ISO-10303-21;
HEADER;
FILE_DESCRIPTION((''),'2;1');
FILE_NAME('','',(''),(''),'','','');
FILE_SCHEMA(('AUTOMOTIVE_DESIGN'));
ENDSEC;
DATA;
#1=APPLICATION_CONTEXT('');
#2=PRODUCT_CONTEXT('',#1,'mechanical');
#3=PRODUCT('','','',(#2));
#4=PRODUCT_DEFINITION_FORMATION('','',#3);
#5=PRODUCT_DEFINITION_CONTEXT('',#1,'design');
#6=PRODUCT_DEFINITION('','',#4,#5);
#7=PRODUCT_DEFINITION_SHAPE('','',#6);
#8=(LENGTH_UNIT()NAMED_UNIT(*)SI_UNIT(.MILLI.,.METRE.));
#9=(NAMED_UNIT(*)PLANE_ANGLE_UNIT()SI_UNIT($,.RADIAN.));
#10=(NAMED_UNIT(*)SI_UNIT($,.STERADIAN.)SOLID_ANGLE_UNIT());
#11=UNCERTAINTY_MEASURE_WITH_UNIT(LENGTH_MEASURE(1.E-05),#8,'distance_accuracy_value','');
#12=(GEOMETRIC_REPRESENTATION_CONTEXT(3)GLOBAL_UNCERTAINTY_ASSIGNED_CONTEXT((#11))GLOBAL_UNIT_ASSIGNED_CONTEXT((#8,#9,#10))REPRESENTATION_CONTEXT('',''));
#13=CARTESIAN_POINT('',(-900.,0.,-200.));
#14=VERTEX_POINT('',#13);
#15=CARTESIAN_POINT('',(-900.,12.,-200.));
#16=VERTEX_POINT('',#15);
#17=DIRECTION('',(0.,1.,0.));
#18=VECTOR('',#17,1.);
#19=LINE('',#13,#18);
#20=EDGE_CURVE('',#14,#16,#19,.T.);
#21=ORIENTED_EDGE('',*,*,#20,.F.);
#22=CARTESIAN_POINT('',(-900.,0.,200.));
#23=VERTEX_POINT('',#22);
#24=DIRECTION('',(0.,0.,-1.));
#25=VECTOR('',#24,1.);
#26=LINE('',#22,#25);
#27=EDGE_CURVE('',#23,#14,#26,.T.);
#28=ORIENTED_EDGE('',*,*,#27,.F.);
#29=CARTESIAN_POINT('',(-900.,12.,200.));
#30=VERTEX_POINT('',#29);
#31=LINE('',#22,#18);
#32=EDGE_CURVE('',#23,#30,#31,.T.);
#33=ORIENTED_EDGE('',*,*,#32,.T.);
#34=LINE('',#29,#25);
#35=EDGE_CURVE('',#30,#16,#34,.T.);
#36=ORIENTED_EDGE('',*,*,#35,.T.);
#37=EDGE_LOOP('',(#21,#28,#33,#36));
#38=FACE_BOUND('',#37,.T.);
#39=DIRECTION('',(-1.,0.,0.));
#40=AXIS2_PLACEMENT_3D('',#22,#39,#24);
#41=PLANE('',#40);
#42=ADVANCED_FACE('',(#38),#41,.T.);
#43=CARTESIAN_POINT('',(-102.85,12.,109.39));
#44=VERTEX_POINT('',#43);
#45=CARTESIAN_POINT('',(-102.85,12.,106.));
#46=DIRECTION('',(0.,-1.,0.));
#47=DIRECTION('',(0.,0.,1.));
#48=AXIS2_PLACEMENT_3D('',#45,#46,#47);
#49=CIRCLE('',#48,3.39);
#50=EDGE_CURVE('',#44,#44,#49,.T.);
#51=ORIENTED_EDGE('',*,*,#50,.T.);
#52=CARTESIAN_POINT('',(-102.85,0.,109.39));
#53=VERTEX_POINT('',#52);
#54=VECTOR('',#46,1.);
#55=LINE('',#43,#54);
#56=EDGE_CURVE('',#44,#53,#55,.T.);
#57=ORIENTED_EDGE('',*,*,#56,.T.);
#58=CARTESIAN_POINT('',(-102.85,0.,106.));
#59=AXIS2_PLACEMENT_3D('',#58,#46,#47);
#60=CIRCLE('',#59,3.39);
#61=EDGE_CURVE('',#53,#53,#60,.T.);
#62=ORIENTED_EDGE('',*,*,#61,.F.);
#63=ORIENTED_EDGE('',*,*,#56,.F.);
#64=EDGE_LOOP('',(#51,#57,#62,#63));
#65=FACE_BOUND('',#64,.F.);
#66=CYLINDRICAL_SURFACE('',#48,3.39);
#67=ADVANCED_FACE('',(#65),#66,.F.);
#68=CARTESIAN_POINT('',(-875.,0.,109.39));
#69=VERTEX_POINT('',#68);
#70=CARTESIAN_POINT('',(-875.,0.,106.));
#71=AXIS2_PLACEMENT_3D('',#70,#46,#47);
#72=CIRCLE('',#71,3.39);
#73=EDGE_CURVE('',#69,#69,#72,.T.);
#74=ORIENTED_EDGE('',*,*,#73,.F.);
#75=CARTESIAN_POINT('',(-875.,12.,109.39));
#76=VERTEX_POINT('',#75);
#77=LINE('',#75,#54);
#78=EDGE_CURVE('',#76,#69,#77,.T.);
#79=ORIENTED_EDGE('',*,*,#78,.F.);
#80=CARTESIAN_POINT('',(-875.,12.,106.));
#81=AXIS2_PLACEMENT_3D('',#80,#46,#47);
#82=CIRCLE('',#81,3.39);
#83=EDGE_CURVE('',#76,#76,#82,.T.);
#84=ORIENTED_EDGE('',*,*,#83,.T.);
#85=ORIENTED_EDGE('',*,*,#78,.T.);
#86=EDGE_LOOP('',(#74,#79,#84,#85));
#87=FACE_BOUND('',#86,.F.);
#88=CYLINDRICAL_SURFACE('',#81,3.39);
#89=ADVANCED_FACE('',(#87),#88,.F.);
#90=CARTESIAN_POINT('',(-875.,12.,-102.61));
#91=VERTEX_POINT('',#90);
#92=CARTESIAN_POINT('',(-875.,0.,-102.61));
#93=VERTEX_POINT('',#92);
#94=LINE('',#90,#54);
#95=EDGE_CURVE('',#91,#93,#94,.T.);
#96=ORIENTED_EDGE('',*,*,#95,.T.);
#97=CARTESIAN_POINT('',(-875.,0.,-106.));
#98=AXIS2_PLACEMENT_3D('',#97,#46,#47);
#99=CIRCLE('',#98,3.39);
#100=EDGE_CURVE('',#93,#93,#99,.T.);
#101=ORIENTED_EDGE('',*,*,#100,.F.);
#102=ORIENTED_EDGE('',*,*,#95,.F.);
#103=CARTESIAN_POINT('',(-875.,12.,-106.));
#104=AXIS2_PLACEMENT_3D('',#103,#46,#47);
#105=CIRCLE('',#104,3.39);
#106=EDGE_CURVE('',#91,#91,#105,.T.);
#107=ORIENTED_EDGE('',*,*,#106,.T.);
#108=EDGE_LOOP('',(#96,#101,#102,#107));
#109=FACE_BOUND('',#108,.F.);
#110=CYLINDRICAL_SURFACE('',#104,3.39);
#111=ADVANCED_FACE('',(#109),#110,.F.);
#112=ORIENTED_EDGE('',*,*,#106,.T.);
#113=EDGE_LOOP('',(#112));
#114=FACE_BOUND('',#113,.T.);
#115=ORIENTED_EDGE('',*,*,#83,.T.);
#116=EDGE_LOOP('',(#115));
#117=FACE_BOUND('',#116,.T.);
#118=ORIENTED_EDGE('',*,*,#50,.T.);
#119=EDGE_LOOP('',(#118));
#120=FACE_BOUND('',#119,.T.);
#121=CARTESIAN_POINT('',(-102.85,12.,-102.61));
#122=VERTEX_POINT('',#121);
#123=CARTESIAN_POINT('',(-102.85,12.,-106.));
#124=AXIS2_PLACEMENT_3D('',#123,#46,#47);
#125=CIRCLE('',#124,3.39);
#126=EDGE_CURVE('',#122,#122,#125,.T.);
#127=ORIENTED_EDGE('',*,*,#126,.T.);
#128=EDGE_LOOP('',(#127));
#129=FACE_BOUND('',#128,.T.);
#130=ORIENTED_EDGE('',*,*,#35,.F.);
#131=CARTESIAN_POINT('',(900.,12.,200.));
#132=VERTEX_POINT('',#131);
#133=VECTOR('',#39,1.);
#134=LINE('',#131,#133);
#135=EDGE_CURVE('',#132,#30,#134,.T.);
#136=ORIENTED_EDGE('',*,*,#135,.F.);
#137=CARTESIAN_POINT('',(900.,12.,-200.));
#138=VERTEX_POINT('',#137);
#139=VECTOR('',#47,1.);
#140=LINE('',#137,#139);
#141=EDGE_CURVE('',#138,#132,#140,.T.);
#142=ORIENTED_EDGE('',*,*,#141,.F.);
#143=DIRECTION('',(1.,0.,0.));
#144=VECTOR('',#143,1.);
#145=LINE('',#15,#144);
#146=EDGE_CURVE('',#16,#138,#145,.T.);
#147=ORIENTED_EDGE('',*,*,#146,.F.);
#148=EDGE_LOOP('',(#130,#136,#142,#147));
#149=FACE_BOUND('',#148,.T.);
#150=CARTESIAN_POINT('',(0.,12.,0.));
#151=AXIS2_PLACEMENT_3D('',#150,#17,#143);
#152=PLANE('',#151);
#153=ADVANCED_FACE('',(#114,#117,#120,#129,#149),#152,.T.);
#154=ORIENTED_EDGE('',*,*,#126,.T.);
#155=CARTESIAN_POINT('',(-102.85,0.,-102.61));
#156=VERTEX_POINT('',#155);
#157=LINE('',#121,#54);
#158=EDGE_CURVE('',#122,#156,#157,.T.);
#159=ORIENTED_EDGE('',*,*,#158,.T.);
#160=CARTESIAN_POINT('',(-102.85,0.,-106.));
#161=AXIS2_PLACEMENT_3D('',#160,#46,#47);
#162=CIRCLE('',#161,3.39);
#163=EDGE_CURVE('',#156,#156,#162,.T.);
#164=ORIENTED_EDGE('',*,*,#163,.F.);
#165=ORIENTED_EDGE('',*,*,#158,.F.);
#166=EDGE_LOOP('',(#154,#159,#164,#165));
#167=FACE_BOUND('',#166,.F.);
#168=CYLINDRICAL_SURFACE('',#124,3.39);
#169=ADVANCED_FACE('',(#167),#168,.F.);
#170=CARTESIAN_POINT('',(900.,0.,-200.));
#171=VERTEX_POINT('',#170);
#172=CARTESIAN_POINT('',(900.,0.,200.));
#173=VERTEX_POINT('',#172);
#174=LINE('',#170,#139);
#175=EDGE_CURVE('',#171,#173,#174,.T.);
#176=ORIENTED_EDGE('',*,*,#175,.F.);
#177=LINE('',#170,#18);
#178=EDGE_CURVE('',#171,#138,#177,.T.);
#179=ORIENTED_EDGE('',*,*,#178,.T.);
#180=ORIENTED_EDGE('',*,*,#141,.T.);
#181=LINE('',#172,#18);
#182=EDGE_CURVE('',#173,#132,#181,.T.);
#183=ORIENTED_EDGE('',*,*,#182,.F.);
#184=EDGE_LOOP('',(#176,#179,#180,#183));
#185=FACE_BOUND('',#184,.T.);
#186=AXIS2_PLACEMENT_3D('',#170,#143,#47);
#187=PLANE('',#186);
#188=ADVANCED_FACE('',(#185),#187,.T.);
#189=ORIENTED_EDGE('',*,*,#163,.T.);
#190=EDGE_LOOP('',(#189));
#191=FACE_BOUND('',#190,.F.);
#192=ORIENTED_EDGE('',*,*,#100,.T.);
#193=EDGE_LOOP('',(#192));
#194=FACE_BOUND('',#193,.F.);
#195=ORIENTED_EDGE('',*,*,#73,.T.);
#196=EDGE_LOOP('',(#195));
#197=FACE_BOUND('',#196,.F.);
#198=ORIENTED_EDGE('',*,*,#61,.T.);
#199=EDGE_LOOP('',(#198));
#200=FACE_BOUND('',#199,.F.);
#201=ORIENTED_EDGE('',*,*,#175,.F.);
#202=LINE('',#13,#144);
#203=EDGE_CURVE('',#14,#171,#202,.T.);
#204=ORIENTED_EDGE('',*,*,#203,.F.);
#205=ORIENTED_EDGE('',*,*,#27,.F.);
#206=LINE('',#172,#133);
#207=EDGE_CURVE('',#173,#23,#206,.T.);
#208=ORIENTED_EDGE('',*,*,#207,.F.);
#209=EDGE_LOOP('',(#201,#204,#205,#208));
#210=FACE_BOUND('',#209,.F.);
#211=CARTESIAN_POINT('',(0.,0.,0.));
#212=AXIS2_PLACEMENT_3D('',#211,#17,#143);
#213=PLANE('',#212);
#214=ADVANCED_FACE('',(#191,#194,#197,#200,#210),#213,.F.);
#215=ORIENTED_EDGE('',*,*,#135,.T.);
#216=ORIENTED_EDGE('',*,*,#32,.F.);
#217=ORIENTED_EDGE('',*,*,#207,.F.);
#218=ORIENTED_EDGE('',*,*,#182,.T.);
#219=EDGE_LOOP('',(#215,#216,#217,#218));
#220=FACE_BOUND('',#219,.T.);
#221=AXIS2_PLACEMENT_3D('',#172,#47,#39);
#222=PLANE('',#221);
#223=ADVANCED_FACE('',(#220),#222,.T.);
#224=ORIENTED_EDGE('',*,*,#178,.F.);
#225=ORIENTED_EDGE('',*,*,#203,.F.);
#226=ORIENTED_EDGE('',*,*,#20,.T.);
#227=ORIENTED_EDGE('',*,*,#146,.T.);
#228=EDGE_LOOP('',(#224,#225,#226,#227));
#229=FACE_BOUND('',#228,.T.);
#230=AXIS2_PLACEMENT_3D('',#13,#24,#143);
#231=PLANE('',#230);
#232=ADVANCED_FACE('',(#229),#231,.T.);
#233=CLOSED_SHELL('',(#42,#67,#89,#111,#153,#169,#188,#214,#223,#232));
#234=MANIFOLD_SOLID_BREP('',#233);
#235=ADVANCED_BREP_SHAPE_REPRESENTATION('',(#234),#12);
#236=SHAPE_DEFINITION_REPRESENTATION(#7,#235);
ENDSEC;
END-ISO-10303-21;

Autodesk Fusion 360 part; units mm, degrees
sketch "Sketch1" plane through (0, 0, 0) normal (0, 1, 0) x (1, 0, 0)
  line L0 (900, -200) -> (-900, -200)
  line L1 (-900, -200) -> (-900, 200)
  line L2 (-900, 200) -> (900, 200)
  line L3 (900, 200) -> (900, -200)
  line L4 (900, -200) -> (-900, 200) construction
  line L5 (-900, -200) -> (900, 200) construction
  dimension "d1" = 1800
  dimension "d2" = 400
extrude "Extrude1" add sketch "Sketch1" along normal blind 12
sketch "Sketch2" plane through (0, 12, 0) normal (0, 1, 0) x (-1, 0, 0)
  line L0 (-900, -200) -> (900, -200)
  line L1 (900, -200) -> (900, 200)
  line L2 (900, 200) -> (-900, 200)
  line L3 (-900, 200) -> (-900, -200)
  line L4 (0, 0) -> (900, 0)
  line L5 (900, 0) -> (875, 0)
  line L6 (875, 0) -> (875, -106)
  line L7 (875, -106) -> (102.85, -106)
  line L8 (102.85, -106) -> (102.85, 106)
  line L9 (102.85, 106) -> (875, 106)
  line L10 (875, 106) -> (875, -106)
  dimension "d5" = 25
  dimension "d6" = 106
  dimension "d7" = 772.15
  dimension "d8" = 212
hole "Hole1" at (-875, 12, -106) at (-102.85, 12, -106) at (-102.85, 12, 106) at (-875, 12, 106) direction (0, -1, 0) diameter 6.78 end through all
sketch "Sketch3" plane through (0, 12, 0) normal (0, 1, 0) x (-1, 0, 0)
  circle A0 centre (102.85, 106) radius 3.3898
  circle A1 centre (875, -106) radius 3.3898
  circle A2 centre (102.85, -106) radius 3.3898
  circle A3 centre (875, 106) radius 3.3898
  line L0 (-900, -200) -> (900, -200)
  line L1 (900, -200) -> (900, 200)
  line L2 (900, 200) -> (-900, 200)
  line L3 (-900, 200) -> (-900, -200)
equation "d6 = ( 212 / 2 ) * 1 mm"
